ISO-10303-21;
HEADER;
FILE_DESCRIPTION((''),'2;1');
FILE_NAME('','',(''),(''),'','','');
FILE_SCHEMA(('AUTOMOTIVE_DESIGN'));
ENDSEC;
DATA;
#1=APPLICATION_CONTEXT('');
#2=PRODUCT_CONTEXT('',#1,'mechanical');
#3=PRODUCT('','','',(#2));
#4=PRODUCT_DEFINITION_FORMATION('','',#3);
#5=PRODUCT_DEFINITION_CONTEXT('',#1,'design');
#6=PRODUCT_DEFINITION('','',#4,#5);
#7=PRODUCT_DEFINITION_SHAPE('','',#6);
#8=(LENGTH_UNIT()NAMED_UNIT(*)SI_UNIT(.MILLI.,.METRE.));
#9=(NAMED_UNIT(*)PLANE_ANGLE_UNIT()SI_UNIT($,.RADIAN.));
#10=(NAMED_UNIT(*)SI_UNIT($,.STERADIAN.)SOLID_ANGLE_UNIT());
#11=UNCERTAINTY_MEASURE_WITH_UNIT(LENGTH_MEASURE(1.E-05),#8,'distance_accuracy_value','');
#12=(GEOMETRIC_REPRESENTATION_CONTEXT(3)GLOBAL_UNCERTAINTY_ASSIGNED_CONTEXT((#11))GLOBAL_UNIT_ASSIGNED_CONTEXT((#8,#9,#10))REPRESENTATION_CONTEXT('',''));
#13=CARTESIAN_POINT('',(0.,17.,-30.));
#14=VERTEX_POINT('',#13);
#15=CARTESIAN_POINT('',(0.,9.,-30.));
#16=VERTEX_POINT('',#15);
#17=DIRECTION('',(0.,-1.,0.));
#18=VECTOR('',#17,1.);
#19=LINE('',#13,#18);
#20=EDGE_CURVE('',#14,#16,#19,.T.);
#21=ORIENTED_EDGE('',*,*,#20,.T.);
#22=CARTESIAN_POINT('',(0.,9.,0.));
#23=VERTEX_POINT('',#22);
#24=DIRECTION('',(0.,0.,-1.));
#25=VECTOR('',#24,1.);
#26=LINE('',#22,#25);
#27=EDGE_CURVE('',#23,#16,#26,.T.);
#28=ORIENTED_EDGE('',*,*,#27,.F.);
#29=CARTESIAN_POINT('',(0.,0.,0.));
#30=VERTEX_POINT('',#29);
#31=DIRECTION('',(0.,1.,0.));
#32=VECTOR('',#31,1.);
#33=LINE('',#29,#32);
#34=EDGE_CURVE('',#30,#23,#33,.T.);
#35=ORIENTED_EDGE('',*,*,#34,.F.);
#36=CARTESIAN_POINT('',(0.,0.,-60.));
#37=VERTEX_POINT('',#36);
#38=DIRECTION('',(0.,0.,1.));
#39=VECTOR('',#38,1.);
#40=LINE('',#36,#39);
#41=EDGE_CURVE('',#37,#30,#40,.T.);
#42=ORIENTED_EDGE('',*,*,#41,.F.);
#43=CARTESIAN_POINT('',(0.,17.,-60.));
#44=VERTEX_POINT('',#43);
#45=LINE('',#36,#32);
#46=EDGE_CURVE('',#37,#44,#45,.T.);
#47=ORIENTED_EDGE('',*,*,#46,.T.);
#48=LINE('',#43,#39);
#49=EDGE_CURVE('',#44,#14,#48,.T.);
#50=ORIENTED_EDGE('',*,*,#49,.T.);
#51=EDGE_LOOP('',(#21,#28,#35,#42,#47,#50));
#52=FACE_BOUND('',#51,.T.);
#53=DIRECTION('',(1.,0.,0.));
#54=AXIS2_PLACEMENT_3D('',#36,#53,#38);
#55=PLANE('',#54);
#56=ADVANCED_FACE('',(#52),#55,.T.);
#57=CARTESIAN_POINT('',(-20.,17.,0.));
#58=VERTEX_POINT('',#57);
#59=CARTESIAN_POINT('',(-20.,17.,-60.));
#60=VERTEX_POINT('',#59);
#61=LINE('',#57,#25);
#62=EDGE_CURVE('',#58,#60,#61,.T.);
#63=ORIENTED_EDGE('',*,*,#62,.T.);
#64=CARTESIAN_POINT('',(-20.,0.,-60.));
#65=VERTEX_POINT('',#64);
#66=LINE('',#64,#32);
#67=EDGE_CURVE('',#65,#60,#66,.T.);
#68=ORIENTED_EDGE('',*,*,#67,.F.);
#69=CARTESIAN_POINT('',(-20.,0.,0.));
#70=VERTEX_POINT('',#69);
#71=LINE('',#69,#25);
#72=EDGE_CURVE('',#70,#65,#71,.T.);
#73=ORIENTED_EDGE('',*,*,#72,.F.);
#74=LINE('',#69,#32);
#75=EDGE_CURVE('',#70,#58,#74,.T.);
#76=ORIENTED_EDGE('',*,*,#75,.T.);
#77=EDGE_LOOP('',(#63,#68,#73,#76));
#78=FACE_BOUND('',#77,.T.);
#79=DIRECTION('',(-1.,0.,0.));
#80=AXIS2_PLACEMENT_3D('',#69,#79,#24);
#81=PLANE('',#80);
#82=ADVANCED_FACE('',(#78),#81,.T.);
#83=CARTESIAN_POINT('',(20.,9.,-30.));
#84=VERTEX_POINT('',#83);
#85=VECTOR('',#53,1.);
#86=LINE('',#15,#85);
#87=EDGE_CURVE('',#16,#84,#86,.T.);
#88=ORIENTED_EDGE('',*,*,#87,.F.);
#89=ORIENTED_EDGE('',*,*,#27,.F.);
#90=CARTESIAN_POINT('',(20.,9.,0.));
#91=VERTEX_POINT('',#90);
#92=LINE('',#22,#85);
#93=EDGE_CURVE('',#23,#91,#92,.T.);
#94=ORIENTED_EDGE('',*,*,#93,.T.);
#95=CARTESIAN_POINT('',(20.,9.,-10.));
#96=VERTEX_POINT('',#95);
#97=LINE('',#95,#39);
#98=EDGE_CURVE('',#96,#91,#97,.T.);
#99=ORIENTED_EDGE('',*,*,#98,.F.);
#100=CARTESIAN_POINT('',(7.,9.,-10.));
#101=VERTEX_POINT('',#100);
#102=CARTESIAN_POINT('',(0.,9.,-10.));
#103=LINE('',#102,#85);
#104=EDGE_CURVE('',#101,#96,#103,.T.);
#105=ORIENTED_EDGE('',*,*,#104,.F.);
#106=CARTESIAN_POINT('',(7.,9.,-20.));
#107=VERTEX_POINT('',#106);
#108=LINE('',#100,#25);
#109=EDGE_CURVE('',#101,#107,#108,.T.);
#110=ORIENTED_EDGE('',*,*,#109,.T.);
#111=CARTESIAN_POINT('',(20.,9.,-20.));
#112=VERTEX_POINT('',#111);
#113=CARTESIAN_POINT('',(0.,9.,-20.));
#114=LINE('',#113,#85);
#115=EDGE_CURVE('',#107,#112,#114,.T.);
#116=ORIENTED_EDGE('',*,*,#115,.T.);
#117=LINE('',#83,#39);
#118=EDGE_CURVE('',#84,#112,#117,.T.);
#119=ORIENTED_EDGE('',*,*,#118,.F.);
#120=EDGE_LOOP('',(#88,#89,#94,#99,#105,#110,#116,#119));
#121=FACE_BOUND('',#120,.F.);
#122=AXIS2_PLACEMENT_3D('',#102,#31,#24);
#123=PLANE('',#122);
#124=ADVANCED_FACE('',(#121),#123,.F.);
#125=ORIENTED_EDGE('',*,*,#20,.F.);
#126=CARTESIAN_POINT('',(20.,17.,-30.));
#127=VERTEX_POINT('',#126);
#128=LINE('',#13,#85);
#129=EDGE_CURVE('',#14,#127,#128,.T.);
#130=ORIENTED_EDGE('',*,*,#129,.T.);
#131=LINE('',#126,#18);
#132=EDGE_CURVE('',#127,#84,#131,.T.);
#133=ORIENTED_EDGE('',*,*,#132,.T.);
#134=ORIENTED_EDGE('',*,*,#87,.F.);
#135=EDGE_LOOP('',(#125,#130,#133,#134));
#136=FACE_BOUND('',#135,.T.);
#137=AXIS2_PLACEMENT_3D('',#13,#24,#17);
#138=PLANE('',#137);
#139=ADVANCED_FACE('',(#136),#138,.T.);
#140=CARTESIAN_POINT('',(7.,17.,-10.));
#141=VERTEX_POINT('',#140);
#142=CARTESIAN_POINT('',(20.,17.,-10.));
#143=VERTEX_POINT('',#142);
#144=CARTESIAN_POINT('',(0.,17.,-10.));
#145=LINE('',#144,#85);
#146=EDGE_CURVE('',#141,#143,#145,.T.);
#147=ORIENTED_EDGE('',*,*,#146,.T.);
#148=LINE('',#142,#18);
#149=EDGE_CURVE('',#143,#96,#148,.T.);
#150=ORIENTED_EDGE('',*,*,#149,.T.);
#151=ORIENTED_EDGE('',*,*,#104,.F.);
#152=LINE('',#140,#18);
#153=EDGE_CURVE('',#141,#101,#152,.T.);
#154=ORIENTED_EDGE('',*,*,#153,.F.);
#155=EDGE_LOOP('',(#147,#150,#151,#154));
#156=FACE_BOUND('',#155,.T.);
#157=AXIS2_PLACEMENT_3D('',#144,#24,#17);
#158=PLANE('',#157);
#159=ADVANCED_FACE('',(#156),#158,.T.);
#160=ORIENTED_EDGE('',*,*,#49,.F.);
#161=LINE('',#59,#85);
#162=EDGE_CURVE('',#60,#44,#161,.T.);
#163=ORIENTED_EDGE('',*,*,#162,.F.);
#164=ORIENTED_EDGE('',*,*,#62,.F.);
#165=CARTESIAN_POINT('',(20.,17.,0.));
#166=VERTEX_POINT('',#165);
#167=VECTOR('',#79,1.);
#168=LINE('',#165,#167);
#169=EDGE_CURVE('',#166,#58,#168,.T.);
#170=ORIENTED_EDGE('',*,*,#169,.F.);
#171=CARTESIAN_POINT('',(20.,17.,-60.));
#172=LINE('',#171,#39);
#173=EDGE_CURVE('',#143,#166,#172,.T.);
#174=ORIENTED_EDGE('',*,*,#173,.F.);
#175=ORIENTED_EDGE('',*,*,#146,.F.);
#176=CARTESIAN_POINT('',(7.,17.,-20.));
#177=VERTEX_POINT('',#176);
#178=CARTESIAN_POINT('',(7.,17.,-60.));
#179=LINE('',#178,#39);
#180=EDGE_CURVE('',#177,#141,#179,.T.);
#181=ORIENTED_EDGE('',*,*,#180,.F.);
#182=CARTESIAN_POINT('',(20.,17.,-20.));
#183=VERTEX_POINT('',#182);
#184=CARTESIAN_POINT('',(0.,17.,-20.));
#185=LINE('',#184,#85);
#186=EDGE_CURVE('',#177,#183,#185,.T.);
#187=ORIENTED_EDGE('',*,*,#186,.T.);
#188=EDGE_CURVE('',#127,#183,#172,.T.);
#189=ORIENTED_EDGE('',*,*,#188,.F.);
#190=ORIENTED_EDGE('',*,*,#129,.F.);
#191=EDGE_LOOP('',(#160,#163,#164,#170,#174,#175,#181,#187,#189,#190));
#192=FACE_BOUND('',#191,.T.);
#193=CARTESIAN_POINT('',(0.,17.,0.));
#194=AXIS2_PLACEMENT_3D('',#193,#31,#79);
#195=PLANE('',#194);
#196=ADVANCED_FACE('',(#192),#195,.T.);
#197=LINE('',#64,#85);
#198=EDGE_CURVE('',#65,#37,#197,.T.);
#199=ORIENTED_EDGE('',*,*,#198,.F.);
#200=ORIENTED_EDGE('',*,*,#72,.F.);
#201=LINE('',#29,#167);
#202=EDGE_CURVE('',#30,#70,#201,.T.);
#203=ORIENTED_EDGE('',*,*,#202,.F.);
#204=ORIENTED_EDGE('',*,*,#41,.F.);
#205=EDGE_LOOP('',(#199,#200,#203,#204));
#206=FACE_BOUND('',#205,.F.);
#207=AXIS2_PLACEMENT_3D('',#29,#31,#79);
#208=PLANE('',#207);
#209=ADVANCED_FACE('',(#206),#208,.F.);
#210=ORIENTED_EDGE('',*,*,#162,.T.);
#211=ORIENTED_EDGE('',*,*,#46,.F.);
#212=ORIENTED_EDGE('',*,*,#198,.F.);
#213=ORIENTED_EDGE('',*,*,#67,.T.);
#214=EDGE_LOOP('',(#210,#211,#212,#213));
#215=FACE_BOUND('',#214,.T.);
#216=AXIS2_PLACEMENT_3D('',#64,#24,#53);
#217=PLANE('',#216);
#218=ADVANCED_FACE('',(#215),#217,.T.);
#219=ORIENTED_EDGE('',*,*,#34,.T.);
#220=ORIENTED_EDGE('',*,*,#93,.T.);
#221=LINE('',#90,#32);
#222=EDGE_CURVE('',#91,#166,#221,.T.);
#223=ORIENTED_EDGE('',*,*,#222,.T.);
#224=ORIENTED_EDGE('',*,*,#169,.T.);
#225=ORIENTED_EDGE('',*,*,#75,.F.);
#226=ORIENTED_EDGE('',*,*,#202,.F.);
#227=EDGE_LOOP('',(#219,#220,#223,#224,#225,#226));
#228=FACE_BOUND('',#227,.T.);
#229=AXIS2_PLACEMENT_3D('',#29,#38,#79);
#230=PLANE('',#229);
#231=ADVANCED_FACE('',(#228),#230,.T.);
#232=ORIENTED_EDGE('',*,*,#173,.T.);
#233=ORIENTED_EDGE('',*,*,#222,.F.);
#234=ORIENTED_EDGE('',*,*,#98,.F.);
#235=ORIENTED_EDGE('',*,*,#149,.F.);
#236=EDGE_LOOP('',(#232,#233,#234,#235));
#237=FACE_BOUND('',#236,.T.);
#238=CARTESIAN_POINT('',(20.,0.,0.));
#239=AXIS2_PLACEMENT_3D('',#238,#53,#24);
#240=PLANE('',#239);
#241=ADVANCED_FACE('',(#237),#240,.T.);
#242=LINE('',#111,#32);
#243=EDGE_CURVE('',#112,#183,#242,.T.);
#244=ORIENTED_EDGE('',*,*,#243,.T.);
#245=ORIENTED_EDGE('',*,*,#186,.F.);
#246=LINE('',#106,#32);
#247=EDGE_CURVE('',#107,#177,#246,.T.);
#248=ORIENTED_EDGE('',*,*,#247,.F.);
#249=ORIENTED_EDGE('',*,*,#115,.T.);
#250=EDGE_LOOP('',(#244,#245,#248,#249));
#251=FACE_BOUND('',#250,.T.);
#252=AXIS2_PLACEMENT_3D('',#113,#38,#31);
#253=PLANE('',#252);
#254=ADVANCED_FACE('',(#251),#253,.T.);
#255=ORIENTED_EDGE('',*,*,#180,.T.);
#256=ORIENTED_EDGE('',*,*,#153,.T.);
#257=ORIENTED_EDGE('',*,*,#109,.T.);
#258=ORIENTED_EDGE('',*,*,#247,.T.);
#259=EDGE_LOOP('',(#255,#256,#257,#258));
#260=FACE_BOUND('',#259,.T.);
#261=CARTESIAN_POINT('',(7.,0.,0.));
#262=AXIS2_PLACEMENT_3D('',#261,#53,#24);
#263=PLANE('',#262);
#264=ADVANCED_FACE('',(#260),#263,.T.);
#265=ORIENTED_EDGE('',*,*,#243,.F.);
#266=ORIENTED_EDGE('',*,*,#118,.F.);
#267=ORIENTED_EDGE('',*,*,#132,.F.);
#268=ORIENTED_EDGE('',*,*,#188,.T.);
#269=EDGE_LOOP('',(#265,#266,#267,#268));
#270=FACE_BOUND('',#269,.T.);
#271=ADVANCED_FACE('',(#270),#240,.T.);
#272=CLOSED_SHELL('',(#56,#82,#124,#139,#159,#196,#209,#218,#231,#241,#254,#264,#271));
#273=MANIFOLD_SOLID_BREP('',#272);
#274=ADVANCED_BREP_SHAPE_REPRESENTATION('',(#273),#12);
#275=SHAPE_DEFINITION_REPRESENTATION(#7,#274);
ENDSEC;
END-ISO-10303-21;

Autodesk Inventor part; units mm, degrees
ref_plane "YZ Plane" through (0, 0, 0) normal (1, 0, 0) x (0, 1, 0)
ref_plane "XZ Plane" through (0, 0, 0) normal (0, 1, 0) x (-1, 0, 0)
ref_plane "XY Plane" through (0, 0, 0) normal (0, 0, 1) x (1, 0, 0)
sketch "Sketch1" plane through (0, 0, 0) normal (0, 1, 0) x (-1, 0, 0)
  line L0 (0, 0) -> (20, 0)
  line L1 (20, 0) -> (20, -60)
  line L2 (20, -60) -> (0, -60)
  line L3 (0, -60) -> (0, 0)
  dimension "d0" = 20
  dimension "d1" = 60
extrude "Extrusion1" add sketch "Sketch1" along normal blind 17
sketch "Sketch2" plane through (0, 0, 0) normal (1, 0, 0) x (0, 0, -1)
  line L0 (60, 17) -> (0, 17) projected
  line L1 (0, 17) -> (10, 17)
  line L2 (10, 17) -> (10, 9)
  line L3 (10, 9) -> (0, 9)
  line L4 (0, 9) -> (0, 17)
  line L5 (10, 17) -> (20, 17)
  line L6 (20, 17) -> (30, 17)
  line L7 (30, 17) -> (30, 9)
  line L8 (30, 9) -> (20, 9)
  line L9 (20, 9) -> (20, 17)
  line L10 (10, 9) -> (20, 9)
  point P0 (0, 0)
  dimension "d4" = 10
  dimension "d5" = 8
  dimension "d6" = 10
  dimension "d7" = 10
  dimension "d8" = 8
extrude "Extrusion2" add sketch "Sketch2" along normal blind 20 contours L7 L8 L9 L0 | L2 L3 L4 L0
sketch "Sketch3" plane through (0, 17, 0) normal (0, 1, 0) x (1, 0, 0)
  point P0 (0, 0)
extrude "Extrusion3" add sketch "Sketch2" along normal blind 7 contours L9 L10 L2 L0
properties part number "millenium"
